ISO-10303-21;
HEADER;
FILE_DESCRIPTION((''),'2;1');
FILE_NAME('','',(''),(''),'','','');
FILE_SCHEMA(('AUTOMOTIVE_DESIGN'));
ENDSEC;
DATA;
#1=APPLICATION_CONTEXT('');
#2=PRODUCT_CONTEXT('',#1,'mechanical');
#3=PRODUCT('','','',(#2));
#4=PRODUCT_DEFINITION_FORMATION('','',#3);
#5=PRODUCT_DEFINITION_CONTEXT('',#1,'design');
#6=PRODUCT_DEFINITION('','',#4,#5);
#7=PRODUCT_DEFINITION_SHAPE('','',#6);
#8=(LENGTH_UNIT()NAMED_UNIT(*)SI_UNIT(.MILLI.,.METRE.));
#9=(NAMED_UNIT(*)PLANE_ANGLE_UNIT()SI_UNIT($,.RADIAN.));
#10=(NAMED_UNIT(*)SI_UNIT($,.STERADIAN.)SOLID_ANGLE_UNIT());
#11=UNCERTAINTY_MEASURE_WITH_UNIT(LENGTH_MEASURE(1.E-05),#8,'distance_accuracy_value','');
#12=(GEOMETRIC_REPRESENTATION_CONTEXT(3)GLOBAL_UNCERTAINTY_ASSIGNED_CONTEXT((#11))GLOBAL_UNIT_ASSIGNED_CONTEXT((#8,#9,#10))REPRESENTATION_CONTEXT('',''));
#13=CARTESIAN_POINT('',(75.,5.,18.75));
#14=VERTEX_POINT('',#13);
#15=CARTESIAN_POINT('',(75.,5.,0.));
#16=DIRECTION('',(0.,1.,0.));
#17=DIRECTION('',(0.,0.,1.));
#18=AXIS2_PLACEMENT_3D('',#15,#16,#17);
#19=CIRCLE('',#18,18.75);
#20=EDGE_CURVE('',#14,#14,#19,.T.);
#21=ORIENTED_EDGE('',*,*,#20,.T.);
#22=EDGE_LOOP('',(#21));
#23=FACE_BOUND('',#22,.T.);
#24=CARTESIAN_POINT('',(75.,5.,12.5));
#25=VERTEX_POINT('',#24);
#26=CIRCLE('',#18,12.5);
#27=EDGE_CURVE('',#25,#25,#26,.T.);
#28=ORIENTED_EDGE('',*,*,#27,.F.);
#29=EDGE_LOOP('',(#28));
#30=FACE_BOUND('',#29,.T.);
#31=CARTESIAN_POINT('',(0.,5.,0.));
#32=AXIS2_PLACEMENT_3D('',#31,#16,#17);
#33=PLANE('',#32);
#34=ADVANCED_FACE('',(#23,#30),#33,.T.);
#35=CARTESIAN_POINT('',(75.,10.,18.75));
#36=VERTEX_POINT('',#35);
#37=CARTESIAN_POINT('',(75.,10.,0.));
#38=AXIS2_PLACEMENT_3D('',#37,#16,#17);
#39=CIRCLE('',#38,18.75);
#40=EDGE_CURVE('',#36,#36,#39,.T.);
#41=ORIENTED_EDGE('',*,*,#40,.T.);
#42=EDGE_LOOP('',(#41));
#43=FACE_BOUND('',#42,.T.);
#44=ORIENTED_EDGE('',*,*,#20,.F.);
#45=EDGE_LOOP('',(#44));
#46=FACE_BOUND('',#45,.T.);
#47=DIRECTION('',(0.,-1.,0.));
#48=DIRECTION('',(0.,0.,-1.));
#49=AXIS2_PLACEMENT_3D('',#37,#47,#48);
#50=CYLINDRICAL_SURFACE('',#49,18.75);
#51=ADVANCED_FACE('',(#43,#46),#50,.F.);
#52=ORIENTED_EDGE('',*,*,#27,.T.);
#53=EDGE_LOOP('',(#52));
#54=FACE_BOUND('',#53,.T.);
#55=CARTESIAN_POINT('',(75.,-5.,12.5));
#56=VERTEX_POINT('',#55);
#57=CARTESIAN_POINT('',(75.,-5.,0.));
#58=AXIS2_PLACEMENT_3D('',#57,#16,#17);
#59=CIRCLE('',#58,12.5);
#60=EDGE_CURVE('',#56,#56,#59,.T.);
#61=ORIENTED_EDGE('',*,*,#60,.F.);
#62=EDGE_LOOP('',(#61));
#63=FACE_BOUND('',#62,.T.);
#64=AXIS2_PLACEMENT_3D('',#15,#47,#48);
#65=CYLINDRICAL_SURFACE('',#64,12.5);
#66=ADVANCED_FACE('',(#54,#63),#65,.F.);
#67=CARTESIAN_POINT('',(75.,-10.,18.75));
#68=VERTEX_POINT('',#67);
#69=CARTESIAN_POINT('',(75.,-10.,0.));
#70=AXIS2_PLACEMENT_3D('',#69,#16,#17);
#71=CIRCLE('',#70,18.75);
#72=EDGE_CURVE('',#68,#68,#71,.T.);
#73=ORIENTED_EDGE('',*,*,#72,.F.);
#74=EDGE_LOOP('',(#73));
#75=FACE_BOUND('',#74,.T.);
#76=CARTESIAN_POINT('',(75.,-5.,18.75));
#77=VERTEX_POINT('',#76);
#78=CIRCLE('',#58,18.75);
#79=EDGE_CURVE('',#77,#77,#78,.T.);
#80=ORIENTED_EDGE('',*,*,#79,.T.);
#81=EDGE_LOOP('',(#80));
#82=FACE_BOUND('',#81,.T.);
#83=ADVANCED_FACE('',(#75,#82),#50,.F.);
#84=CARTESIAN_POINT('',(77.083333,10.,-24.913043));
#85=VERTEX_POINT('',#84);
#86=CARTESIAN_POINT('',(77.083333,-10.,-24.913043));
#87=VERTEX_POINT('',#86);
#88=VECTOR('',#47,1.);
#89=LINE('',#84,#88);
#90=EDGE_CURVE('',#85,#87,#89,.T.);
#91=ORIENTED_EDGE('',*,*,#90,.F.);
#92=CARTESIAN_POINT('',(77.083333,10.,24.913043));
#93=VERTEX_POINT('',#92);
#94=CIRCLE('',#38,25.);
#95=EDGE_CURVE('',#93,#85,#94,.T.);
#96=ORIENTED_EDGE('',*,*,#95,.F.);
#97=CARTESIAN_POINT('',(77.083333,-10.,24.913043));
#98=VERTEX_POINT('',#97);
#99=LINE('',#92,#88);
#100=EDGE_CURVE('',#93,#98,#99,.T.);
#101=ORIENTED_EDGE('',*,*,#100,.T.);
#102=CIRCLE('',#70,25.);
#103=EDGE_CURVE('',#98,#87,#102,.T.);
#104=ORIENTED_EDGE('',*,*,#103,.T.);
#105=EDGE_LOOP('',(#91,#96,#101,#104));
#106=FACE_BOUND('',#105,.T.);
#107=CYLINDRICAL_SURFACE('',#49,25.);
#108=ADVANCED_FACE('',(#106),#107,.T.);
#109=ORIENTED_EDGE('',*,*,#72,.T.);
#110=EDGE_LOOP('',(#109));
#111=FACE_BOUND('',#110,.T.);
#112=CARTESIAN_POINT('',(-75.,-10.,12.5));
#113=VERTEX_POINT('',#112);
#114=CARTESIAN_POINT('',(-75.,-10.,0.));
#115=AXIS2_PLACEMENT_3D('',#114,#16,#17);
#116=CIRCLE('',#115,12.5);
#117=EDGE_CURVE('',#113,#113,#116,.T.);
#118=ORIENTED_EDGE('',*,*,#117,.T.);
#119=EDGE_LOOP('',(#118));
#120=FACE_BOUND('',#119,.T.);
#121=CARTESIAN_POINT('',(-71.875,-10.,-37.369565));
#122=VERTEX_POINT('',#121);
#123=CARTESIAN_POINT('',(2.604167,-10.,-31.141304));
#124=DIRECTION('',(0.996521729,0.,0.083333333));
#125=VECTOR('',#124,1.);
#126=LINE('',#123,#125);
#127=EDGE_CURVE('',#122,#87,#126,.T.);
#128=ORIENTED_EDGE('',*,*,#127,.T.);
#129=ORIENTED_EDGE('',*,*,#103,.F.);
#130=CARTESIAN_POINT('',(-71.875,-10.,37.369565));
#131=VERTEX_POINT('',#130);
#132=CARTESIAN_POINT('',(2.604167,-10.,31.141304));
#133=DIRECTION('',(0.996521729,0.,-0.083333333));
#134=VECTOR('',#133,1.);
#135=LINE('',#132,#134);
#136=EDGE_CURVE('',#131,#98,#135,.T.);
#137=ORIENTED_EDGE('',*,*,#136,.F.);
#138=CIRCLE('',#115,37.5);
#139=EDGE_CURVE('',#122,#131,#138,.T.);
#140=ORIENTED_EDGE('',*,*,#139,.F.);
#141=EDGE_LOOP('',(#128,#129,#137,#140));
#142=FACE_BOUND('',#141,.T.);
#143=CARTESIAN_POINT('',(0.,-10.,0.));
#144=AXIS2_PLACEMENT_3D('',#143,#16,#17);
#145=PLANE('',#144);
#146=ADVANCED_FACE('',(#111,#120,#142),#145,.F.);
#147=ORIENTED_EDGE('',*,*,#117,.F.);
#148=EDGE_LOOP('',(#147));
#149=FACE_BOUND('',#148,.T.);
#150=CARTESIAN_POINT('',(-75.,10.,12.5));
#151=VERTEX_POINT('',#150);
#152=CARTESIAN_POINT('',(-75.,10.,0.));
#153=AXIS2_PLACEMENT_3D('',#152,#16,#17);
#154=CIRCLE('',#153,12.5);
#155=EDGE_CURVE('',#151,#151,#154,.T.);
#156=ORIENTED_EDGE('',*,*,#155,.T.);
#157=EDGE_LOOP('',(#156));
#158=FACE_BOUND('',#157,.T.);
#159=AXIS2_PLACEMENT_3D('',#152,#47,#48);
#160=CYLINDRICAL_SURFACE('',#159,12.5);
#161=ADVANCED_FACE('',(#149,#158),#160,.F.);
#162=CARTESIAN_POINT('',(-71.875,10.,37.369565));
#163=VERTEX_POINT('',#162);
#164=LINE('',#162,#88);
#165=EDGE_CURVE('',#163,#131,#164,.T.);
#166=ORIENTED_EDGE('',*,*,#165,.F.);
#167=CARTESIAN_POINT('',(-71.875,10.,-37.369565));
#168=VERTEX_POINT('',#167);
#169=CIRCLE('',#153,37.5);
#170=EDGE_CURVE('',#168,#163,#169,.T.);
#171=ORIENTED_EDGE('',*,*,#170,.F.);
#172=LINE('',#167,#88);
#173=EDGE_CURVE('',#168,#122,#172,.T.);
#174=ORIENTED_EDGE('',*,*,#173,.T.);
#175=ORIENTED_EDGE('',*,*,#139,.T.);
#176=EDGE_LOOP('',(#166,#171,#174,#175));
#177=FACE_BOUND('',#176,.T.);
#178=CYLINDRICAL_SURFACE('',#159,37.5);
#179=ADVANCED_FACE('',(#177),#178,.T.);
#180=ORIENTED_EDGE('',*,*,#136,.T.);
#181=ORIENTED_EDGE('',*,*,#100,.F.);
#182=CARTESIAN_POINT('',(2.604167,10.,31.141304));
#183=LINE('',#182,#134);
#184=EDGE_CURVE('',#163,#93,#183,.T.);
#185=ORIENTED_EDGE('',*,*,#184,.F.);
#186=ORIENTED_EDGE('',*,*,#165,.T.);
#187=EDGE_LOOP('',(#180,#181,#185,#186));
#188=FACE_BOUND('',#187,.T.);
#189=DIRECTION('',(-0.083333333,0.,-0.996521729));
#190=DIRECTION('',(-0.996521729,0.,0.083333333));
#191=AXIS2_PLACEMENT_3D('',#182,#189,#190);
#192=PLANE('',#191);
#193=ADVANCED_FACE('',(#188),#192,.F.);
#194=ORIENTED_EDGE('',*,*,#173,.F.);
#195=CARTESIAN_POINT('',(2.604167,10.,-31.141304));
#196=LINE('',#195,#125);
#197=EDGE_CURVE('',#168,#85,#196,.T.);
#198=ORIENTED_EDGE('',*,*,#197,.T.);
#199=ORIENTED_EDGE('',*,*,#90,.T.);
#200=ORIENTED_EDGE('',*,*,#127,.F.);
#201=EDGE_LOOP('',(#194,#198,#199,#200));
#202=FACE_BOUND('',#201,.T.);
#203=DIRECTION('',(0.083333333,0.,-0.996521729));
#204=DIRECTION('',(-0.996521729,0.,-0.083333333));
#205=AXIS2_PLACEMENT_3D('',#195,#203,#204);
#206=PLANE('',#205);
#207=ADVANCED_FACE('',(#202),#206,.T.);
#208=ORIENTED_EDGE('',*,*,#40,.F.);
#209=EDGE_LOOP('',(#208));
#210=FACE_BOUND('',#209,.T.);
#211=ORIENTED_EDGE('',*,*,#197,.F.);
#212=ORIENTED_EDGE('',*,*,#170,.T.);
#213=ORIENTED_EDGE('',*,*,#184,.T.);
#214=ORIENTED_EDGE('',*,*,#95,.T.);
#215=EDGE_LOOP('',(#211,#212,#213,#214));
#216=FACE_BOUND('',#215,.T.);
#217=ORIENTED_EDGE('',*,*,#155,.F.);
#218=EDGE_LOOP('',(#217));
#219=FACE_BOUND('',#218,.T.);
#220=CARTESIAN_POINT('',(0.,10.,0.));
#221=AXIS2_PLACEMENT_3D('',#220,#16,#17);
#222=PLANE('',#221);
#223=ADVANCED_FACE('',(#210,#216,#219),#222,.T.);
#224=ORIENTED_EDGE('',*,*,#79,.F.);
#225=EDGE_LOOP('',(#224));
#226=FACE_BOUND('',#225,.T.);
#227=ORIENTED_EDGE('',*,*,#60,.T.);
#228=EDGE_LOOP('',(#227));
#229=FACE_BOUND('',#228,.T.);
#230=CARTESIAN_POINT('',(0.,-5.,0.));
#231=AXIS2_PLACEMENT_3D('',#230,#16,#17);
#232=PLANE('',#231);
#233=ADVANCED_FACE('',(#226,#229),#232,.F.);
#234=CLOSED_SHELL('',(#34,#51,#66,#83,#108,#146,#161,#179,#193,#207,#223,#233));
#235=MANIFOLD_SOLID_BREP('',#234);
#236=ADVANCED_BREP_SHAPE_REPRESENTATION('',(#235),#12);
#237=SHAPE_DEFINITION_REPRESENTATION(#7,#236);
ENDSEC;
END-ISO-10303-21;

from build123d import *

# Parameters (mm, degrees)
SKETCH1_R           = 12.5
SKETCH1_R_2         = 18.75
BOSS_EXTRUDE1_DEPTH = 10
SKETCH1_3_R         = 18.75
SKETCH1_3_R_2       = 12.5
BOSS_EXTRUDE2_DEPTH = 5


with BuildPart() as part:
    # Sketch1 → Boss-Extrude1 (new, symmetric)
    with BuildSketch(Plane(origin=(0, 0, 0), x_dir=(1, 0, 0), z_dir=(0, 1, 0))):
        with BuildLine():
            Line((77.083333333, 24.913043215), (-71.875, 37.369564822))
            ThreePointArc((-71.875, 37.369564822), (-112.5, 0), (-71.875, -37.369564822))
            Line((-71.875, -37.369564822), (77.083333333, -24.913043215))
            ThreePointArc((77.083333333, -24.913043215), (100, 0), (77.083333333, 24.913043215))
        make_face()
        with Locations((-75, 0)):
            Circle(SKETCH1_R, mode=Mode.SUBTRACT)
        with Locations((75, 0)):
            Circle(SKETCH1_R_2, mode=Mode.SUBTRACT)
    extrude(amount=BOSS_EXTRUDE1_DEPTH, both=True)

    # Sketch1<3> → Boss-Extrude2 (add, symmetric)
    with BuildSketch(Plane(origin=(0, 0, 0), x_dir=(1, 0, 0), z_dir=(0, 1, 0))):
        with Locations((75, 0)):
            Circle(SKETCH1_3_R)
        with Locations((75, 0)):
            Circle(SKETCH1_3_R_2, mode=Mode.SUBTRACT)
    extrude(amount=BOSS_EXTRUDE2_DEPTH, both=True)


solid = part.part
